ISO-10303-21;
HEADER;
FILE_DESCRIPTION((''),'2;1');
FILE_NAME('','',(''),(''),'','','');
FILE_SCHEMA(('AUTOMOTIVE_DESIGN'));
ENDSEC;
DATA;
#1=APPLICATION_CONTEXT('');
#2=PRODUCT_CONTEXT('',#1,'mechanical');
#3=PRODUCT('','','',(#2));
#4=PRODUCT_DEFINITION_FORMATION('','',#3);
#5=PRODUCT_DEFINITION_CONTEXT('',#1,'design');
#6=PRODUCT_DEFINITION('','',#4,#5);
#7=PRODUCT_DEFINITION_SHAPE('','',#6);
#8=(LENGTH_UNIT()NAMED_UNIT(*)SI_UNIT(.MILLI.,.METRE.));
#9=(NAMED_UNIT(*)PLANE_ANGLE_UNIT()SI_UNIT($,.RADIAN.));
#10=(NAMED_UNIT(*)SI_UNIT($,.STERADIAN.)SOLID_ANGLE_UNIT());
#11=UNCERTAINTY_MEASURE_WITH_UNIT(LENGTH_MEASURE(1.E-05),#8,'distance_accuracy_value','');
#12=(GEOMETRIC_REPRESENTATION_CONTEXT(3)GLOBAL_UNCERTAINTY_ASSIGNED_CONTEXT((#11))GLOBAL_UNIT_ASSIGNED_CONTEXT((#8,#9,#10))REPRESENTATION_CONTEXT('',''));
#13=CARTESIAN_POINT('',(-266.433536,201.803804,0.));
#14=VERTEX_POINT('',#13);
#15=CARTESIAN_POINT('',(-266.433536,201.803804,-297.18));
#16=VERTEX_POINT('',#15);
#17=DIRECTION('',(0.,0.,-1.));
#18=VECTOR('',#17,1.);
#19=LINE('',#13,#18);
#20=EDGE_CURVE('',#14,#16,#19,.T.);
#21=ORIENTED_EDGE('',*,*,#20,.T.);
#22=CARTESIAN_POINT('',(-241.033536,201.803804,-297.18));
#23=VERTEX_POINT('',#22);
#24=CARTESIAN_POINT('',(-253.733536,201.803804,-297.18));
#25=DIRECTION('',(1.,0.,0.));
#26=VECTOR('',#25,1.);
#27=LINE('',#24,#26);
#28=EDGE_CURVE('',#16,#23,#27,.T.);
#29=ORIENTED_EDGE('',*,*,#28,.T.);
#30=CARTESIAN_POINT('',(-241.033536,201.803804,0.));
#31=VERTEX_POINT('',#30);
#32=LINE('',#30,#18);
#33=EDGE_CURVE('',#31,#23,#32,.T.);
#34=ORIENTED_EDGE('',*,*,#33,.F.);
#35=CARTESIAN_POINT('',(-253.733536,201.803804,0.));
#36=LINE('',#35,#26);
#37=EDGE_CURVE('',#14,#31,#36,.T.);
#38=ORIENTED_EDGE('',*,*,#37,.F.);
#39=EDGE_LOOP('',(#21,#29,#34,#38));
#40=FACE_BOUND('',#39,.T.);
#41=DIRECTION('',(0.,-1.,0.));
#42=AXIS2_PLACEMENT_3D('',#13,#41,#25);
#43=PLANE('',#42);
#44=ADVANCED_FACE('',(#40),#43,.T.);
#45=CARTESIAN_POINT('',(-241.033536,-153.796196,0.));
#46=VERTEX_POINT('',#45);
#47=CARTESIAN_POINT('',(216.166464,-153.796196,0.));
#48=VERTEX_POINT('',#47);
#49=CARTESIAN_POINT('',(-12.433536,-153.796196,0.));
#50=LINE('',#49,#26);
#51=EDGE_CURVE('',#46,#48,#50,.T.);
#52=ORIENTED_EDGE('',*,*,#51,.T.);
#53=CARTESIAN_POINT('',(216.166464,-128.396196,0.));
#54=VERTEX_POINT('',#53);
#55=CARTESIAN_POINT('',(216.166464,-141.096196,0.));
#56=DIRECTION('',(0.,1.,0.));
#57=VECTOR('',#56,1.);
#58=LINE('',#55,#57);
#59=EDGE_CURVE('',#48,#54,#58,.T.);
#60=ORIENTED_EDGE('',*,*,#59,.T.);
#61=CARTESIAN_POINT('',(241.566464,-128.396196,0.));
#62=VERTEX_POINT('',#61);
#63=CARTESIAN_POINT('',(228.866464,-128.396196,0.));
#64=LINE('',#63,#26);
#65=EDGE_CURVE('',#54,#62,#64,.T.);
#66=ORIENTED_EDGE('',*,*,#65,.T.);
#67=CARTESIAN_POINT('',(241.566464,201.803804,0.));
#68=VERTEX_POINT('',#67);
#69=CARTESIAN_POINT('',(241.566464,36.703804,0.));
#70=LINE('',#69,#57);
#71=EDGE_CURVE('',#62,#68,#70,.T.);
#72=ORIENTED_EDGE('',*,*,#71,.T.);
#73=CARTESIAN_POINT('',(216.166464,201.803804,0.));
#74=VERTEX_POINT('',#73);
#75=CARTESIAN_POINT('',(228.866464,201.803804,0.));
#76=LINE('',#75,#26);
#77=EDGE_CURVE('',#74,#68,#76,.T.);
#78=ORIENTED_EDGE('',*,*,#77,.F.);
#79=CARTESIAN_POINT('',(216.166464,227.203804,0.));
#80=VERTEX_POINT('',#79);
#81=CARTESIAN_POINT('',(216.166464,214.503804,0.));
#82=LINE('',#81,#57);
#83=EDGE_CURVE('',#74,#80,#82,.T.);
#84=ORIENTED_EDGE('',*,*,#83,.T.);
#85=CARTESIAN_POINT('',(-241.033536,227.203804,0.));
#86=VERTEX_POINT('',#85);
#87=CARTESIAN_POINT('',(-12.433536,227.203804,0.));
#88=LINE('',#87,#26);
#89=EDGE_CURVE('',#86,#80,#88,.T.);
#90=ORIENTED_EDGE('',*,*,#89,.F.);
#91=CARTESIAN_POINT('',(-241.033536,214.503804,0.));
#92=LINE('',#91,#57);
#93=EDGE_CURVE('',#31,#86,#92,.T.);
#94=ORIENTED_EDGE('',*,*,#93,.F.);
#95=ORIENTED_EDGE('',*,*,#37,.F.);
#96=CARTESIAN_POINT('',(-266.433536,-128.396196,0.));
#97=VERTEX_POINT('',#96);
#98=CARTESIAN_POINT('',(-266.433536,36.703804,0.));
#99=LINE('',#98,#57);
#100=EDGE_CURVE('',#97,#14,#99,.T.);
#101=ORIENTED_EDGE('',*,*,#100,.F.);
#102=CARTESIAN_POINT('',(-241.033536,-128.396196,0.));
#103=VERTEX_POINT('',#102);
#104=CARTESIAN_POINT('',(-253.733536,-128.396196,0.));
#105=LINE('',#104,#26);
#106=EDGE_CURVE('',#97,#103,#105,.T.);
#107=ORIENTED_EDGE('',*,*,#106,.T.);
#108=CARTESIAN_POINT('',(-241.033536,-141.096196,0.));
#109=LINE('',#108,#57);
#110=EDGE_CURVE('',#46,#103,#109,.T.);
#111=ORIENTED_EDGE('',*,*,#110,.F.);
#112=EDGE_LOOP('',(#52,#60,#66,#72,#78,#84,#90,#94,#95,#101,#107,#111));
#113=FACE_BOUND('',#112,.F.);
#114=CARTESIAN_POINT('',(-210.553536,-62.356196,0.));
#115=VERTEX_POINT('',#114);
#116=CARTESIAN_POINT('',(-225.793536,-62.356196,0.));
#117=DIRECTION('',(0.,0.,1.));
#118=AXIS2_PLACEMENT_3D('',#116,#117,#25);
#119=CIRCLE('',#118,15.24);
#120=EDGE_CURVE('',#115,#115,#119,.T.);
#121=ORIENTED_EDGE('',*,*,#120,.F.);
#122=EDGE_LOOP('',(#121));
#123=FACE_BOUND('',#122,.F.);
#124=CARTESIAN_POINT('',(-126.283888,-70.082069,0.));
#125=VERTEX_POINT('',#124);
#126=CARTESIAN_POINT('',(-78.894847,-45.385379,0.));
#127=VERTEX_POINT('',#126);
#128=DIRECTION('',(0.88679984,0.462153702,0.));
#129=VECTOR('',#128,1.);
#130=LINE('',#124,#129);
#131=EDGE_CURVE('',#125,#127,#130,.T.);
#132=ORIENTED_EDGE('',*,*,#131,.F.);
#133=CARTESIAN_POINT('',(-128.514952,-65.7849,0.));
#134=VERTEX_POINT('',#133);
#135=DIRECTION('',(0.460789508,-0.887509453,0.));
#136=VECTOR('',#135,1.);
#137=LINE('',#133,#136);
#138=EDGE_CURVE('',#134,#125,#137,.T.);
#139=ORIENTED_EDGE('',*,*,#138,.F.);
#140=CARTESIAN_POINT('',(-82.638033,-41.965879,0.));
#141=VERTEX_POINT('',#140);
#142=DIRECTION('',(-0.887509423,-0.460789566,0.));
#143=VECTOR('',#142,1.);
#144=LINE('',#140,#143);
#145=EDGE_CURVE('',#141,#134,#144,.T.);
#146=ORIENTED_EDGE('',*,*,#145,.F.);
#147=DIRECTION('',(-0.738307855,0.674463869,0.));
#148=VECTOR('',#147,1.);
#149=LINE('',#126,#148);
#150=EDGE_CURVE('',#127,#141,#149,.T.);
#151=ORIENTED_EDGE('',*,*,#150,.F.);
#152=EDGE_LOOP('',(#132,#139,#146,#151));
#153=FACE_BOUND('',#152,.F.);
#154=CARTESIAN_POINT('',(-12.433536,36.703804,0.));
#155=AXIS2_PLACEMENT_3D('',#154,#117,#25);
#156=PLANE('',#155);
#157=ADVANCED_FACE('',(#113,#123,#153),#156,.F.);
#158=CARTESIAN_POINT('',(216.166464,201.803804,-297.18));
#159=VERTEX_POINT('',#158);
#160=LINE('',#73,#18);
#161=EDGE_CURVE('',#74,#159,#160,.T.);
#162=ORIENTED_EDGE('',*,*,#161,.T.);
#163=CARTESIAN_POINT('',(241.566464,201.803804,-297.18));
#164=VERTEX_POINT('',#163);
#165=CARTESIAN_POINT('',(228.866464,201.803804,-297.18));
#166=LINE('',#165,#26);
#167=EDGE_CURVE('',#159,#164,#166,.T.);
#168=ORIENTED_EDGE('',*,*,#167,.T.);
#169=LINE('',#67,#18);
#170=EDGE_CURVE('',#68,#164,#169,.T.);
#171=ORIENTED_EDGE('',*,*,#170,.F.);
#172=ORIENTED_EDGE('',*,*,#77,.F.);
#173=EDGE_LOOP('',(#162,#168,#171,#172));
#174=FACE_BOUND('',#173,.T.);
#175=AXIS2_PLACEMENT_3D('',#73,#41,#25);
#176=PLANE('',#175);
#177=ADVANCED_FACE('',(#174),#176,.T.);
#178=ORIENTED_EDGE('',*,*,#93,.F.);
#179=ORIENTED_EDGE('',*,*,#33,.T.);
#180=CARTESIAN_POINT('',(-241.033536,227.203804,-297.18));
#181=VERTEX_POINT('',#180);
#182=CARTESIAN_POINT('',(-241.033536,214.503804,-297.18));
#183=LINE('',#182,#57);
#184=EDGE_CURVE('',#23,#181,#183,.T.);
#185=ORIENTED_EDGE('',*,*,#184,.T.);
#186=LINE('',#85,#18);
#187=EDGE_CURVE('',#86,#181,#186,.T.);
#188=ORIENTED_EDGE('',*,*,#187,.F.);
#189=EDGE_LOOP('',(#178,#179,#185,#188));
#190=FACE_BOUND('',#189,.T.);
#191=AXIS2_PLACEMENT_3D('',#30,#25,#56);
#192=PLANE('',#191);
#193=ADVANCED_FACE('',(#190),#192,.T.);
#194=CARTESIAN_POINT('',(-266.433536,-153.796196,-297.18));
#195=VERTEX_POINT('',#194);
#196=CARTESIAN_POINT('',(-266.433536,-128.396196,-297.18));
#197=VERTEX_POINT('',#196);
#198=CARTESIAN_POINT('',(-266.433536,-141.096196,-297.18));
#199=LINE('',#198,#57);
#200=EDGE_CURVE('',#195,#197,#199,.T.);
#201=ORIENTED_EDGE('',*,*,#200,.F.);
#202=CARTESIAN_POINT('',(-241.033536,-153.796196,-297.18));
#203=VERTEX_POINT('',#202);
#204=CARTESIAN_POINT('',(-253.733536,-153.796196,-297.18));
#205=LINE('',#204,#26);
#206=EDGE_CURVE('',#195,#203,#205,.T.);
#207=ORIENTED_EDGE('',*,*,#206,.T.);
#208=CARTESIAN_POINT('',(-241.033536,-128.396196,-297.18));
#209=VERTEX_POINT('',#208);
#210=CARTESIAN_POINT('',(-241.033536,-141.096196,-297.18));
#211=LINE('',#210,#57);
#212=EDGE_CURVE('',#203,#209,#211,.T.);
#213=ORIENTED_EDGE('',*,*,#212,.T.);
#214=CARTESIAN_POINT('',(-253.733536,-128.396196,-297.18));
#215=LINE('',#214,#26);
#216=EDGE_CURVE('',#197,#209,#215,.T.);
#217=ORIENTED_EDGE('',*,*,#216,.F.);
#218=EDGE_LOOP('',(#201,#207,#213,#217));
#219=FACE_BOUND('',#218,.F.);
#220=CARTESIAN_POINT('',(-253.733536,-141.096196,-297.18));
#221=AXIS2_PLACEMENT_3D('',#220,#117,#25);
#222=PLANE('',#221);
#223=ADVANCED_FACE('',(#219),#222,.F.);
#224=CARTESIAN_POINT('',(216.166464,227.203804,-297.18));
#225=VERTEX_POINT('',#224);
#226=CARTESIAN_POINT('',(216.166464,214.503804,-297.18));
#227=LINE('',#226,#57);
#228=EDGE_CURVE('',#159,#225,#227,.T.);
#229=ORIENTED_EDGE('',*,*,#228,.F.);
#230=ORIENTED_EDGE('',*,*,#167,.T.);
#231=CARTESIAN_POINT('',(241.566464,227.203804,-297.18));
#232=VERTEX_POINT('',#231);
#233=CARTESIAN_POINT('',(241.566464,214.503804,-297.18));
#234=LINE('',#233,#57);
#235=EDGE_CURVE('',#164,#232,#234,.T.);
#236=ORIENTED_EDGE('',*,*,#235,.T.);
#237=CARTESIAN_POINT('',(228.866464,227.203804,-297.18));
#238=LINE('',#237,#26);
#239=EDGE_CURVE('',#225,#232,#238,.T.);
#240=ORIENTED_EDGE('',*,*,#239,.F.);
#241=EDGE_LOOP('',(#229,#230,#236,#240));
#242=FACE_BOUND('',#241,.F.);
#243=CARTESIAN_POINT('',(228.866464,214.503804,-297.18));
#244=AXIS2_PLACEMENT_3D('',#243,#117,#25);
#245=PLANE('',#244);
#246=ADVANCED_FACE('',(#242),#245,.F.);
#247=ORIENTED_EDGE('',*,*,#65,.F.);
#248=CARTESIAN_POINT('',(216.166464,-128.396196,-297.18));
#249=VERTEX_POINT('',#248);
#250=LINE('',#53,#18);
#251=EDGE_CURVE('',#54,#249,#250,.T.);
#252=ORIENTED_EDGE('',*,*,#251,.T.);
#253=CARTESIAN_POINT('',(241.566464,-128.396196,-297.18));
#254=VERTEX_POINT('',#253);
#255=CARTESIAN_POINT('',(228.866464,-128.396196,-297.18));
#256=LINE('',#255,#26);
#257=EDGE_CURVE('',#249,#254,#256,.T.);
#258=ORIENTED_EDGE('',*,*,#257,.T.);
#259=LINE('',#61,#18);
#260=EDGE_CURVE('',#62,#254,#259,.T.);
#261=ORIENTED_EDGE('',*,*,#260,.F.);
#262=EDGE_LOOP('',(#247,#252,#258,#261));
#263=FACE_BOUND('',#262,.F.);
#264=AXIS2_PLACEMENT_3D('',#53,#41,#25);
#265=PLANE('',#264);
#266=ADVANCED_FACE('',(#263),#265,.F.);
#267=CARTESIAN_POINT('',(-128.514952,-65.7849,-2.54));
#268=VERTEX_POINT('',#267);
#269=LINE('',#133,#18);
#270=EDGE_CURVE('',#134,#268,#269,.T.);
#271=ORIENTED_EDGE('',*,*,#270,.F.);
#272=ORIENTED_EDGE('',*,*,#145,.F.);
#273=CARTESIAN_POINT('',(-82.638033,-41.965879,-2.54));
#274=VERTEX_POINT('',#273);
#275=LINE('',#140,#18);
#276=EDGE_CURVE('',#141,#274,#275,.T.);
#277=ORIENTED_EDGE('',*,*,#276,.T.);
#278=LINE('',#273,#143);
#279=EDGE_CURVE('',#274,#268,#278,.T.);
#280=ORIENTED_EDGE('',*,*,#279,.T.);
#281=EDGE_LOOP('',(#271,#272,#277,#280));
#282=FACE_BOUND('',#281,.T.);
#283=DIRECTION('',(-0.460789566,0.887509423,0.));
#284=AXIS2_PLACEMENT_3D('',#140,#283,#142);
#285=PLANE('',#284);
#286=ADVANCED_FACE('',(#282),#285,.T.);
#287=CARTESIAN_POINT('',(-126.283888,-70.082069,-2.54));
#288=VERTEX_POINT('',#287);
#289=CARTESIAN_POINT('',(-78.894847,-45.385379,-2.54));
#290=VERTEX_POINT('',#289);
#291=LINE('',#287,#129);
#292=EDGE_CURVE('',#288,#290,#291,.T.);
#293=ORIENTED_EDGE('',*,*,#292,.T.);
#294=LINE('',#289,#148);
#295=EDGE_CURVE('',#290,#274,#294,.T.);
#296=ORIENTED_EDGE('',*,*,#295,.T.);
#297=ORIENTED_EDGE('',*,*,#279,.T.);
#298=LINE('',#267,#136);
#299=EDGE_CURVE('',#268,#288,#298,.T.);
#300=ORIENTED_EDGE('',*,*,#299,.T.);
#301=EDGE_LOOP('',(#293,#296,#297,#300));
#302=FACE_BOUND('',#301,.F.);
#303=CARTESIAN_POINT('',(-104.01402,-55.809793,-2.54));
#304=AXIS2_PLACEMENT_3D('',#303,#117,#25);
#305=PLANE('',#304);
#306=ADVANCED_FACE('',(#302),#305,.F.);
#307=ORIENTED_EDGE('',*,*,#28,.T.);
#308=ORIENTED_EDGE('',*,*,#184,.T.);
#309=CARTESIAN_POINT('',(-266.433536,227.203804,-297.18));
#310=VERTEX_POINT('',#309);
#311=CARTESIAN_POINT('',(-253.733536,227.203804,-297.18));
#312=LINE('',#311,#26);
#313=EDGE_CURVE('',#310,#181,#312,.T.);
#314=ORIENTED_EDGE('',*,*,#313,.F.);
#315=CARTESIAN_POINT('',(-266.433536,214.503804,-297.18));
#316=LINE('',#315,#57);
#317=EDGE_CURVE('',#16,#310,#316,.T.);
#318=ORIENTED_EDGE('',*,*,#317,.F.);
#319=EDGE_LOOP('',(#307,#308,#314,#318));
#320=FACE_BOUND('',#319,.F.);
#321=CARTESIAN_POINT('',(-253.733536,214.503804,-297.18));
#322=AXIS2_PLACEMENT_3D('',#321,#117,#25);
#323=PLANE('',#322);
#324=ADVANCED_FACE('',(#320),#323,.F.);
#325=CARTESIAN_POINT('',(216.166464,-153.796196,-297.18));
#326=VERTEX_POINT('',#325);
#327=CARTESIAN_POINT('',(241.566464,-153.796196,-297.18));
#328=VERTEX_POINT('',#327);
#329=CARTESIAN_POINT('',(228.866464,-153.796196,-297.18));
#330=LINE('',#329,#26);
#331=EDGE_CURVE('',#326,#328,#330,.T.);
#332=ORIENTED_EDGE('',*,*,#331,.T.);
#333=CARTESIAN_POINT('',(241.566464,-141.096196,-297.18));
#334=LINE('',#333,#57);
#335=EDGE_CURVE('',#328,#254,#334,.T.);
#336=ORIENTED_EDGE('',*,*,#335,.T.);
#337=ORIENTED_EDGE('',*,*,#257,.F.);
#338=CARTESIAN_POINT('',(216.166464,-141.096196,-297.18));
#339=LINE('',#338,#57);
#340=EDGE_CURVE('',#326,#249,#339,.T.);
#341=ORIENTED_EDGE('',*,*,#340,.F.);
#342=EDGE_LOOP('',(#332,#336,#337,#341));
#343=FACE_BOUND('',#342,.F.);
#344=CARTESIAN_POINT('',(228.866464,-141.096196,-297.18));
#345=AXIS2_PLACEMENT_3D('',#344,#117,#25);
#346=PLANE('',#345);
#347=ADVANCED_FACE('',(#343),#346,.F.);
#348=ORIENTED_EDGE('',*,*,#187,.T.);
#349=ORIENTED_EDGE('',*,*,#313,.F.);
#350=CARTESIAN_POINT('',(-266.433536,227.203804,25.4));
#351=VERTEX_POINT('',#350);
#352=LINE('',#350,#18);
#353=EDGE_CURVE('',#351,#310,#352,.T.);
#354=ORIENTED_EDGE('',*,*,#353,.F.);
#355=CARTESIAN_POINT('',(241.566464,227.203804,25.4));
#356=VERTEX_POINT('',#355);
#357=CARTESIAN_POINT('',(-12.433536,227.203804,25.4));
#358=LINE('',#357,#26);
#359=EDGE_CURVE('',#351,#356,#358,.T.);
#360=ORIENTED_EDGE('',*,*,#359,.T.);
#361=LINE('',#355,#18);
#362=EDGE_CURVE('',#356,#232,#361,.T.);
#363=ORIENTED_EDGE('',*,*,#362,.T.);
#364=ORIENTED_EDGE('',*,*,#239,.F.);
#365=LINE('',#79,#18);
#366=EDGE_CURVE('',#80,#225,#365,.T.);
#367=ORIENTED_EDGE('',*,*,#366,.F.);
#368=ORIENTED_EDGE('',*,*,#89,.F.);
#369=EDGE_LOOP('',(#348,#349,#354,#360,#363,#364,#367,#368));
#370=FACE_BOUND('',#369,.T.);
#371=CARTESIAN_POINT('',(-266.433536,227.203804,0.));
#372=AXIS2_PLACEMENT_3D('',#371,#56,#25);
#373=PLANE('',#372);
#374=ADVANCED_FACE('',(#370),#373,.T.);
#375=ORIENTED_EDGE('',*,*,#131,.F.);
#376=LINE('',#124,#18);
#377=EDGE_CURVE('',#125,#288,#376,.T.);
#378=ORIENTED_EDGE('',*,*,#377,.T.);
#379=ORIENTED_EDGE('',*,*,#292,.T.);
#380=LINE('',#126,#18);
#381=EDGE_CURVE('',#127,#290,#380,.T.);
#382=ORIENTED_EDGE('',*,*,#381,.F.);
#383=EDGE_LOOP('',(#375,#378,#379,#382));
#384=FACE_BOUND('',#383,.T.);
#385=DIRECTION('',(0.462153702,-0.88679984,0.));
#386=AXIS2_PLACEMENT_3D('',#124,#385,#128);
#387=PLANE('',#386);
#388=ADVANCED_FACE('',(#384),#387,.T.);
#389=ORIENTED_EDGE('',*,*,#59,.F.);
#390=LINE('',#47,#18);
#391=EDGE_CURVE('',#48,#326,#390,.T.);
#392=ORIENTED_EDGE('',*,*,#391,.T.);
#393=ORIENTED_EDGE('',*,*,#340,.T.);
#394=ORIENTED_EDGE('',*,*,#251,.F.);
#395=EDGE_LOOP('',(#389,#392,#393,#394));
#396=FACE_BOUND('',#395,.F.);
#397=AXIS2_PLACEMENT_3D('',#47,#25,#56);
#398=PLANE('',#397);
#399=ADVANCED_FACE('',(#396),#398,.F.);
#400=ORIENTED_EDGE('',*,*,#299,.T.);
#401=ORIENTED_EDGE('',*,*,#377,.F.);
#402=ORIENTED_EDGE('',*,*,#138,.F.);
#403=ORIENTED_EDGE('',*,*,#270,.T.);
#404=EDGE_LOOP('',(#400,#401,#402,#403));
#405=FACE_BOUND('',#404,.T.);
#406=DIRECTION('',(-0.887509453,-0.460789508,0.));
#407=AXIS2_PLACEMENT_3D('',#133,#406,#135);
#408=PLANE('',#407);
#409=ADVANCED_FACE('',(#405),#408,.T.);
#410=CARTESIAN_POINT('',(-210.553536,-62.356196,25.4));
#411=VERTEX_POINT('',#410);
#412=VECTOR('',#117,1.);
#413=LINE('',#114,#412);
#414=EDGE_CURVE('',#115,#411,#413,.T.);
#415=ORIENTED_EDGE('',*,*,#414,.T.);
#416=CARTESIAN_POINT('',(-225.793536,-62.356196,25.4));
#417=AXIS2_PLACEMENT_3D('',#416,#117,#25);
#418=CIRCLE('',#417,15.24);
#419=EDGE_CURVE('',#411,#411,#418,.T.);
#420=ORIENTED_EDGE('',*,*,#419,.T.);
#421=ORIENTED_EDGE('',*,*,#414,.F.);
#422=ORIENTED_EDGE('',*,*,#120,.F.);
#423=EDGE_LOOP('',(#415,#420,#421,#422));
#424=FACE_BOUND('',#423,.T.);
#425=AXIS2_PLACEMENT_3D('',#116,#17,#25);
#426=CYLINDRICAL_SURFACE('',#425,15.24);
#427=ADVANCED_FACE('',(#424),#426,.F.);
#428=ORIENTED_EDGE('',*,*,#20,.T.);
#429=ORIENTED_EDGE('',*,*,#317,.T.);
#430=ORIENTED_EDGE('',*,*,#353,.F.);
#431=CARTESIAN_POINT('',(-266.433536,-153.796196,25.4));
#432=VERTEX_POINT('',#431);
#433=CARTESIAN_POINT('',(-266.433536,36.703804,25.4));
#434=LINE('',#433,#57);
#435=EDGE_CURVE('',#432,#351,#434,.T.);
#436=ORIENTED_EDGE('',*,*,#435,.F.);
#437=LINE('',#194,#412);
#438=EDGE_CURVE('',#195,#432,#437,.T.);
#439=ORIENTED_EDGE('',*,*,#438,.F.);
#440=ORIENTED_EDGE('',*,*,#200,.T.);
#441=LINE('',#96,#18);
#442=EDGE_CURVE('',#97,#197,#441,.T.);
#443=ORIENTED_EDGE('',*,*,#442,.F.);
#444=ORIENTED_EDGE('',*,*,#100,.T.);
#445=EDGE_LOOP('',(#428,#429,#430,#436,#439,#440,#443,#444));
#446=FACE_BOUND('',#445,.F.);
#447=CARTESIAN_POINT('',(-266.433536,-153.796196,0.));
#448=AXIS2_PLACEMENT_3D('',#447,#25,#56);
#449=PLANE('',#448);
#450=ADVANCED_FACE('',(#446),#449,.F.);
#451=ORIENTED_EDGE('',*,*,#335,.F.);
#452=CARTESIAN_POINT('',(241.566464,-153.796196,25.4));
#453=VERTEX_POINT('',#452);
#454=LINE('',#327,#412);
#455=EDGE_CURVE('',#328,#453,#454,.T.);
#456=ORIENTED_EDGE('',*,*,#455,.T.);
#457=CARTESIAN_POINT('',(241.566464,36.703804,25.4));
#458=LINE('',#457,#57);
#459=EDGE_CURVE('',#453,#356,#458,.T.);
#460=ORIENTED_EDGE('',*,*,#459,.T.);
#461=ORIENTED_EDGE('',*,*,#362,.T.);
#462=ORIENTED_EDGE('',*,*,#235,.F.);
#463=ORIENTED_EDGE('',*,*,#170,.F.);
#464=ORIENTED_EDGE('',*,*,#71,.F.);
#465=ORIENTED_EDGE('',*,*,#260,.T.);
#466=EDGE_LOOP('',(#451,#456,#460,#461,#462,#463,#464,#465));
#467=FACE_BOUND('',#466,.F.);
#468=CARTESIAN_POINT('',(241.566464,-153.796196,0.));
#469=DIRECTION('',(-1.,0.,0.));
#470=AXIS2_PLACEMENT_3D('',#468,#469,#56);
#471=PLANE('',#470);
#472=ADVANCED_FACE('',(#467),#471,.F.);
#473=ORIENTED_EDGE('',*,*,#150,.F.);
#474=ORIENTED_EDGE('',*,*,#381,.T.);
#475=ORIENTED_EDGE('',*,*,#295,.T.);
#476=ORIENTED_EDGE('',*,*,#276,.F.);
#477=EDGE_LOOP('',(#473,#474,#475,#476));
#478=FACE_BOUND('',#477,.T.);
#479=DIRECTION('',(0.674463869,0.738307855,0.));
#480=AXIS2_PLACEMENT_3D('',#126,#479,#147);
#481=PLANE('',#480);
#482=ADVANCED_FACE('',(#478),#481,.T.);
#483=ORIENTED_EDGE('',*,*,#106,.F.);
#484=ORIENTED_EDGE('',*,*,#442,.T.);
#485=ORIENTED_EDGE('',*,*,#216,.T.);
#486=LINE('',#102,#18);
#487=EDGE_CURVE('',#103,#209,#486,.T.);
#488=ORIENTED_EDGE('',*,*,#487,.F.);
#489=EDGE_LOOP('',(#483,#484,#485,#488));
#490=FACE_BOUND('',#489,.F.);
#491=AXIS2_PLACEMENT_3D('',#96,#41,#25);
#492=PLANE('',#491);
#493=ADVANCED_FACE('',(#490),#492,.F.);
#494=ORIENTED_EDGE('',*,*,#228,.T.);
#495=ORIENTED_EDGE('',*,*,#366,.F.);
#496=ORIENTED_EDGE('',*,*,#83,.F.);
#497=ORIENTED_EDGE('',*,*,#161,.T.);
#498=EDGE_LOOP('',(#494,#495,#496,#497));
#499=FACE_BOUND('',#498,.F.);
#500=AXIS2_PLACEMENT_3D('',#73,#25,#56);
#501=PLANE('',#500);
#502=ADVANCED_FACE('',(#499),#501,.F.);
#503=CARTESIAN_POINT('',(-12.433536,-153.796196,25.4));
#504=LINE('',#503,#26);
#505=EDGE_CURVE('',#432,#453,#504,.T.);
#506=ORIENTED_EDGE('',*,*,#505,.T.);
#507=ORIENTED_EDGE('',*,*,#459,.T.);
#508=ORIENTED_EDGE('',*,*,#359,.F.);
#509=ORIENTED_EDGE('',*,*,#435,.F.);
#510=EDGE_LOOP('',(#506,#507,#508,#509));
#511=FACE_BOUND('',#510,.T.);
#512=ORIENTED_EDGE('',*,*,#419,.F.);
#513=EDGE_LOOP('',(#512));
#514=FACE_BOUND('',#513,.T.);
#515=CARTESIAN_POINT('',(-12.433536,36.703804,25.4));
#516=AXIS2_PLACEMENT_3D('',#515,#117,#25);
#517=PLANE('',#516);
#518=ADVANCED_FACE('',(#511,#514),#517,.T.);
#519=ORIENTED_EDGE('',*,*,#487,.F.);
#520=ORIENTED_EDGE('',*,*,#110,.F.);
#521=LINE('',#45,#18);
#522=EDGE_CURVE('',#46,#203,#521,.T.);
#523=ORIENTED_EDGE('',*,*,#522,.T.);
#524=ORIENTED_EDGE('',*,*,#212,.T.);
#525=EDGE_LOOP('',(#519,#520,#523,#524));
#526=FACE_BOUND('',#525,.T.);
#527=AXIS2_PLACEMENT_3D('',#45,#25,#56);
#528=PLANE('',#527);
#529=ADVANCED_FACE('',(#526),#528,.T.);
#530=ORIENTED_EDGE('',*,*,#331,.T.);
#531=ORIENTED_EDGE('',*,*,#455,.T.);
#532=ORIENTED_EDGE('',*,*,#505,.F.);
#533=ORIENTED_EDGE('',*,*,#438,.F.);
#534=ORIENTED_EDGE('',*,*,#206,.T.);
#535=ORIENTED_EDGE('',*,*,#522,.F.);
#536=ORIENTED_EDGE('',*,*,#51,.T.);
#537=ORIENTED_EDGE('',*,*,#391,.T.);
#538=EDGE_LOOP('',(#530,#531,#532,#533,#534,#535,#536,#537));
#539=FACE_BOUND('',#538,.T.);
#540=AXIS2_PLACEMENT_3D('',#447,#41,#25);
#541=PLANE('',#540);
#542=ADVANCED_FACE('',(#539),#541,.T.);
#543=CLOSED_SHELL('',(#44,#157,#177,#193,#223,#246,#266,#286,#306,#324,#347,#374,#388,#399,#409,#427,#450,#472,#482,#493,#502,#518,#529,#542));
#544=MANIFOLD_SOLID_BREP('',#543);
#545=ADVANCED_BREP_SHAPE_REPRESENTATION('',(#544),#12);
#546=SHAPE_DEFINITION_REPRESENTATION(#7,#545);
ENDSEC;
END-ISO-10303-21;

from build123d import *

# Parameters (mm, degrees)
F2_W     = 508
F2_H     = 381
F2_R     = 15.24
F3_DEPTH = 25.4
F4_W     = 25.4
F4_H     = 25.4
F5_DEPTH = 297.18
F7_DEPTH = 2.54


with BuildPart() as f3:
    # F2 (on face) → F3 (new body)
    with BuildSketch(Plane.XY):
        with Locations((-12.433536, 36.703804)):
            Rectangle(F2_W, F2_H)
        with Locations((-225.793536, -62.356196)):
            Circle(F2_R, mode=Mode.SUBTRACT)
    extrude(amount=F3_DEPTH)

    # F4 (on face) → F5 (join)
    with BuildSketch(Plane.XY):
        with Locations((-253.733536, -141.096196)):
            Rectangle(F4_W, F4_H)
        with Locations((228.866464, 214.503804)):
            Rectangle(F4_W, F4_H)
        with Locations((228.866464, -141.096196)):
            Rectangle(F4_W, F4_H)
        with Locations((-253.733536, 214.503804)):
            Rectangle(F4_W, F4_H)
    extrude(amount=-F5_DEPTH)

    # F6 (on face) → F7 (join)
    with BuildSketch(Plane.XY):
        Polygon((-78.894847, -45.385379), (-82.638033, -41.965879), (-128.514952, -65.7849), (-126.283888, -70.082069), align=None)
    extrude(amount=-F7_DEPTH)


solid = f3.part
